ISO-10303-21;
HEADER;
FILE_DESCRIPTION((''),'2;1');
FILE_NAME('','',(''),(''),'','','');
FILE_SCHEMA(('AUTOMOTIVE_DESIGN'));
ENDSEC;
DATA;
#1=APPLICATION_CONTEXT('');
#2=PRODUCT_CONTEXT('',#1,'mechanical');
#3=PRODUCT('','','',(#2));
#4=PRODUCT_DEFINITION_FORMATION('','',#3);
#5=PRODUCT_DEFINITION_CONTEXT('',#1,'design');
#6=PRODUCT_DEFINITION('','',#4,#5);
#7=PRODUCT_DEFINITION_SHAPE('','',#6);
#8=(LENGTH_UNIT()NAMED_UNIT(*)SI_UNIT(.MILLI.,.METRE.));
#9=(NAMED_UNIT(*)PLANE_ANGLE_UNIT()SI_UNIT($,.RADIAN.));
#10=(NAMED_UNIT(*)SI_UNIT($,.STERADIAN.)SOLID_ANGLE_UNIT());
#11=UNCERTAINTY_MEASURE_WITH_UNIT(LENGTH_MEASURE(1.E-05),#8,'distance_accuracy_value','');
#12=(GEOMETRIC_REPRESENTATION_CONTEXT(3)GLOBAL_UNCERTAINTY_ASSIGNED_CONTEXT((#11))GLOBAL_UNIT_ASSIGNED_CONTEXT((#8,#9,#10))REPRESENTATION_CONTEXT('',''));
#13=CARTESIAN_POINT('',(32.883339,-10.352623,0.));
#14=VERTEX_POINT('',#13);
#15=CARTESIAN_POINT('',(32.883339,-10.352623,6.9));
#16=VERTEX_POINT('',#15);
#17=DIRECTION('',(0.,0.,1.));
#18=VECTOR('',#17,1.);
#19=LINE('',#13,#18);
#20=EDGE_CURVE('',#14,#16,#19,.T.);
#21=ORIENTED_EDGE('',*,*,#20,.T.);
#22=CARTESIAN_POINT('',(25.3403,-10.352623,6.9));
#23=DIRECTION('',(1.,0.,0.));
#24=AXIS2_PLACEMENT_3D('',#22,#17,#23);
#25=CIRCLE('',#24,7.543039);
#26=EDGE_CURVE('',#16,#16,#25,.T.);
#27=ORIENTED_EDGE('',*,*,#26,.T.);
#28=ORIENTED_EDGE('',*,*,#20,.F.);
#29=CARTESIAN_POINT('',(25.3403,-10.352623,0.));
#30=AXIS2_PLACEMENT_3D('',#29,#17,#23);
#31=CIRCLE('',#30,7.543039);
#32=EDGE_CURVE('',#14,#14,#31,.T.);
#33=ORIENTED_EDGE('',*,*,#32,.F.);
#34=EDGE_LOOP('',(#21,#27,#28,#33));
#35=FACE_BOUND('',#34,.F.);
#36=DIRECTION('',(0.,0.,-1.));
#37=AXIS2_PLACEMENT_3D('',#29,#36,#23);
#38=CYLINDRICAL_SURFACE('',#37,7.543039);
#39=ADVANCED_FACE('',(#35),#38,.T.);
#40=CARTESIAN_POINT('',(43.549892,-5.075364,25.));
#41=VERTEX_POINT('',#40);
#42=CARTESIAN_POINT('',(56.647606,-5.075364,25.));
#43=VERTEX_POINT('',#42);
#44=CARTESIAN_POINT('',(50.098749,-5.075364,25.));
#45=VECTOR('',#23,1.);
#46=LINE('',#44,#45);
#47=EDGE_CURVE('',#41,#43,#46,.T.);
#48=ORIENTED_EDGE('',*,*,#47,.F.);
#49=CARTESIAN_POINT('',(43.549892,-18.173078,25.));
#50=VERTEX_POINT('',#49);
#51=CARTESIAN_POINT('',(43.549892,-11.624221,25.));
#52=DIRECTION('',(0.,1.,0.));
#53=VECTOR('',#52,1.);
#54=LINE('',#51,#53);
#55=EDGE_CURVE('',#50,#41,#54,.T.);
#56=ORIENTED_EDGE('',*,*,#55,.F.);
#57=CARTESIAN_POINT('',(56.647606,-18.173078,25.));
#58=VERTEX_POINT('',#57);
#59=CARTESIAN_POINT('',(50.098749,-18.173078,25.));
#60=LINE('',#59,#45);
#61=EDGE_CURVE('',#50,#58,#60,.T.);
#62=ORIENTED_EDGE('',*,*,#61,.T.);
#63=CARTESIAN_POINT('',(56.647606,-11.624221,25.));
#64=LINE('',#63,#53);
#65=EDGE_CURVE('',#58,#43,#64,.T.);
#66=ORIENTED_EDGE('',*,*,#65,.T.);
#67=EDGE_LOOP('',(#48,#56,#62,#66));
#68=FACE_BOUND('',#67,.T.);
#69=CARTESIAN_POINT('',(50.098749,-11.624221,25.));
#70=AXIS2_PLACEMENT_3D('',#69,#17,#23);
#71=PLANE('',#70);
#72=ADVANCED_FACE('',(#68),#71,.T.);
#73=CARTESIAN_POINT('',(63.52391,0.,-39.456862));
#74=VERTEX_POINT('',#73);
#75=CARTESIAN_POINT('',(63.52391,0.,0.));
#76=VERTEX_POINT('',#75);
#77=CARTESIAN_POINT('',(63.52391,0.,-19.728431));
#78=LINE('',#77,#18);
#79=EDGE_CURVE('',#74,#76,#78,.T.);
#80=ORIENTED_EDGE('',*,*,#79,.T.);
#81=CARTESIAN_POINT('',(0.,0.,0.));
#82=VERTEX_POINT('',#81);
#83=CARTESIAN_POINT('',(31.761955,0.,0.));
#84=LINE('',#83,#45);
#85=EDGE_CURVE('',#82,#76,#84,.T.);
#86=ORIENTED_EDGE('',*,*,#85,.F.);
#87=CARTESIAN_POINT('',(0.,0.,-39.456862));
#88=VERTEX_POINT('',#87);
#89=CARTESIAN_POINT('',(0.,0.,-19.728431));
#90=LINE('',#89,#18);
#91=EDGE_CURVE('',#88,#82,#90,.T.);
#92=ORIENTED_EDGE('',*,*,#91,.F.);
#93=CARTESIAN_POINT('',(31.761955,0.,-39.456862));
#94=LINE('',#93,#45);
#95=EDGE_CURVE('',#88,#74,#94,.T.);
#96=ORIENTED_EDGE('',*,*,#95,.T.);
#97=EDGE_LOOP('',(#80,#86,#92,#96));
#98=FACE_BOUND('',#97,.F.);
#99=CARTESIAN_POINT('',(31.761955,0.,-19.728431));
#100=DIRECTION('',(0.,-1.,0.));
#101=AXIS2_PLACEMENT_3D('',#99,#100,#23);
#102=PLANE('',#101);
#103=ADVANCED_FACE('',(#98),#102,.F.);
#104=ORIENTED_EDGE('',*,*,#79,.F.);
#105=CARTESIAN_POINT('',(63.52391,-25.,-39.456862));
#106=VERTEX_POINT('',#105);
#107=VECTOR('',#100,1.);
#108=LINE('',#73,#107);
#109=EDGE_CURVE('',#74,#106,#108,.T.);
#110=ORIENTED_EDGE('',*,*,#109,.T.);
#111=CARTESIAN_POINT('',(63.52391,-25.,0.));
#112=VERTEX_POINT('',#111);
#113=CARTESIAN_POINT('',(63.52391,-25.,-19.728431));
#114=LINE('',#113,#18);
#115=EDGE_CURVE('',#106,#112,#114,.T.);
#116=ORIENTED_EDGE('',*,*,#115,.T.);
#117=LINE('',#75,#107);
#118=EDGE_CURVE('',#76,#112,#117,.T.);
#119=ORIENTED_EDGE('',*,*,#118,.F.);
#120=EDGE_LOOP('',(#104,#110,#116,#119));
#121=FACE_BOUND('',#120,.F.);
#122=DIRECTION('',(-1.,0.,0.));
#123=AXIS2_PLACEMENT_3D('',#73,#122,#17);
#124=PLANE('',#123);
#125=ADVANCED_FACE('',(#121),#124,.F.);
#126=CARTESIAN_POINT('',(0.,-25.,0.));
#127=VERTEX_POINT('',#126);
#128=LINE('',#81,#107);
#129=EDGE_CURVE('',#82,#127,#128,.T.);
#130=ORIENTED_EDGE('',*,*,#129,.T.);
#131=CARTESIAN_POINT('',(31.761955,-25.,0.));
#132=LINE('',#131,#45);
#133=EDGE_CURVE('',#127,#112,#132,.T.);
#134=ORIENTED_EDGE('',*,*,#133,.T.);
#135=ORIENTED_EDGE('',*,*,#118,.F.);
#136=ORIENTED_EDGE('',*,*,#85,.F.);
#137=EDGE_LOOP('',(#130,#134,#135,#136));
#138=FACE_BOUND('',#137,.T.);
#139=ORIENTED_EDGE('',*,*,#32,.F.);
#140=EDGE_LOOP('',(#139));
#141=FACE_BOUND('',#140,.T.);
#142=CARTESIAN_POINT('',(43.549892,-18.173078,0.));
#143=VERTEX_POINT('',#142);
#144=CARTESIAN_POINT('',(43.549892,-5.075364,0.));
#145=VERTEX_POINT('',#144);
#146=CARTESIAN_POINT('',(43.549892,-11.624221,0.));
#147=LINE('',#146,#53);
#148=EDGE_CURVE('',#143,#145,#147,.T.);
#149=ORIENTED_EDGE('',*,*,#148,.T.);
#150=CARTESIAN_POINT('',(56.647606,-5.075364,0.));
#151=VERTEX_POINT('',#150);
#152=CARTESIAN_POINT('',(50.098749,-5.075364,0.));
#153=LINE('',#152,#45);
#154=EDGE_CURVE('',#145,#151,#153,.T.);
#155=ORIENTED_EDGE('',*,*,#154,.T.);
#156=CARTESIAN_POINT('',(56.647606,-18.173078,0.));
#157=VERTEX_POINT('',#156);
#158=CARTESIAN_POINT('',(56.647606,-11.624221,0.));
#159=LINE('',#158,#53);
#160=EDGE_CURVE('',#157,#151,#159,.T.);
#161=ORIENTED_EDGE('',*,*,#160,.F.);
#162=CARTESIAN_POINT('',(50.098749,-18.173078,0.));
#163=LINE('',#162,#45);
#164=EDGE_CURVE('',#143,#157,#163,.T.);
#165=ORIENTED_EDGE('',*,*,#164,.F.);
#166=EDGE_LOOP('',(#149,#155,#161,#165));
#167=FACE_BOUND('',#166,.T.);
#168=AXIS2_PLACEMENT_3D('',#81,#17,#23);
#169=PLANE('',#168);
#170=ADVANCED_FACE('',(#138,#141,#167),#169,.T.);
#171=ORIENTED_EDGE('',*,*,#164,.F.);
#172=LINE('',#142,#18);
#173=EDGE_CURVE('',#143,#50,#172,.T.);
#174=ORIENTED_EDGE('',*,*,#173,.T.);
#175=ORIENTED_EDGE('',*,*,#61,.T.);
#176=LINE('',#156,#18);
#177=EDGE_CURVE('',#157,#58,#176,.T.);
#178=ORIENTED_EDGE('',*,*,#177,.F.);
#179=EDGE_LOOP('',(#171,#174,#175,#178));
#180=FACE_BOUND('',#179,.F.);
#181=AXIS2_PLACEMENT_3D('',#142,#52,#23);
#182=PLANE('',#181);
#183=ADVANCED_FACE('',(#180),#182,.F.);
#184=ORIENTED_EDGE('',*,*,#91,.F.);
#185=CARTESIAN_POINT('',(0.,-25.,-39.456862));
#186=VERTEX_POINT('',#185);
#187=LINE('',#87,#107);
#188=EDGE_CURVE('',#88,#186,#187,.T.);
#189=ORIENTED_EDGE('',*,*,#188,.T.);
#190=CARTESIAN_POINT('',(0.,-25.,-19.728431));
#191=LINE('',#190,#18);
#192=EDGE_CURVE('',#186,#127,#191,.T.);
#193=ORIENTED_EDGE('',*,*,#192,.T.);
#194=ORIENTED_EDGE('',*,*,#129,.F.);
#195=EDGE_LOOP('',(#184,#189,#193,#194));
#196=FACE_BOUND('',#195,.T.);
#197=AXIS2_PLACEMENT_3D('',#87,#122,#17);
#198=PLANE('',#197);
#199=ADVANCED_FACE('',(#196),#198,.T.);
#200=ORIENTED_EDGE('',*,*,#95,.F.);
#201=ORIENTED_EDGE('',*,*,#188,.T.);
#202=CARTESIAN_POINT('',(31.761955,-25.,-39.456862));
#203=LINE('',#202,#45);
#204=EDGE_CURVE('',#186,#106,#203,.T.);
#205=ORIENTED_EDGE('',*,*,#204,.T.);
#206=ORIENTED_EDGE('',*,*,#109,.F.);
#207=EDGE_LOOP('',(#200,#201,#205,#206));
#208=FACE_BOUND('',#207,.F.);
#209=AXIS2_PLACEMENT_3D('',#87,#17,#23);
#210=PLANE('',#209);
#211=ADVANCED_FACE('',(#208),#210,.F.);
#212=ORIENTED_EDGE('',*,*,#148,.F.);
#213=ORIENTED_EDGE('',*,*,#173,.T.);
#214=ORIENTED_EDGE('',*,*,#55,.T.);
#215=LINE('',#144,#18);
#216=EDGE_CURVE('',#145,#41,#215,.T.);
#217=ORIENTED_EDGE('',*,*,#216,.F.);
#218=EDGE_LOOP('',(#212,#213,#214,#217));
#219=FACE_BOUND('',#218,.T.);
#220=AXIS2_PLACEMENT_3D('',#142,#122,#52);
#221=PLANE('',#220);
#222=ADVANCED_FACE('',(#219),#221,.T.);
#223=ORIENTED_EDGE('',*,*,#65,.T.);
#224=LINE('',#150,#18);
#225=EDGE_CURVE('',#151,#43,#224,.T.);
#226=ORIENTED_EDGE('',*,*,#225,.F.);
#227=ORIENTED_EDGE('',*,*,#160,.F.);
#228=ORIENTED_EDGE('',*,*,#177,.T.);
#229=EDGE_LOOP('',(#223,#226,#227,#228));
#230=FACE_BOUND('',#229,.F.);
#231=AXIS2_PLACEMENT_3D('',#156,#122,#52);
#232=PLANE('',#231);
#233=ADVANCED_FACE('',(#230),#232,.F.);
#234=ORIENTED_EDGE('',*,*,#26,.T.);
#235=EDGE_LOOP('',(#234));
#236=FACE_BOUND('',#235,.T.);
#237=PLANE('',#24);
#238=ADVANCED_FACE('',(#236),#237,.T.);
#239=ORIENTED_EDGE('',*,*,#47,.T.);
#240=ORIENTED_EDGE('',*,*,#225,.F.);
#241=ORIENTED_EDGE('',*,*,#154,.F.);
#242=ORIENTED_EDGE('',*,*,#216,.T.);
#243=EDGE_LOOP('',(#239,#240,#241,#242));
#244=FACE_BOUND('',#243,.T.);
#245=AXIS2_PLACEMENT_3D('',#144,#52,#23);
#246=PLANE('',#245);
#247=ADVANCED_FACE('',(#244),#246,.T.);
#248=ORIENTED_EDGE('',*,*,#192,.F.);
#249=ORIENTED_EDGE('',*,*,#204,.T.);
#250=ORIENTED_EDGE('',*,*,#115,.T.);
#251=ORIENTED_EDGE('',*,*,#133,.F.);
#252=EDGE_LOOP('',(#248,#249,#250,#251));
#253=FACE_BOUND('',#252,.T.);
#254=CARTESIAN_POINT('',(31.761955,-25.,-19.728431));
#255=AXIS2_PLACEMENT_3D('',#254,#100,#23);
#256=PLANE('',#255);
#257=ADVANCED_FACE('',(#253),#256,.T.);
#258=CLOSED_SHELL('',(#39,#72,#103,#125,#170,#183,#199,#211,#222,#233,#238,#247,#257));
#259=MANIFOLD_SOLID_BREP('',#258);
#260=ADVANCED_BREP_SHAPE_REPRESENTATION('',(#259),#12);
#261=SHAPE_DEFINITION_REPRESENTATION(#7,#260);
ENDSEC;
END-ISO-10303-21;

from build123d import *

# Parameters (mm, degrees)
F0_W     = 63.523911
F0_H     = 39.456863
F1_DEPTH = 25
F2_R     = 7.543039
F3_DEPTH = 6.9
F4_W     = 13.097714
F4_H     = 13.097714
F5_DEPTH = 25


with BuildPart() as f1:
    # F0 (on Front) → F1 (new body)
    with BuildSketch(Plane.XZ):
        with Locations((31.761955, -19.728431)):
            Rectangle(F0_W, F0_H)
    extrude(amount=F1_DEPTH)

    # F2 (on face) → F3 (join)
    with BuildSketch(Plane.XY):
        with Locations((25.3403, -10.352623)):
            Circle(F2_R)
    extrude(amount=F3_DEPTH)

    # F4 (on face) → F5 (join)
    with BuildSketch(Plane.XY):
        with Locations((50.098749, -11.624221)):
            Rectangle(F4_W, F4_H)
    extrude(amount=F5_DEPTH)


solid = f1.part
